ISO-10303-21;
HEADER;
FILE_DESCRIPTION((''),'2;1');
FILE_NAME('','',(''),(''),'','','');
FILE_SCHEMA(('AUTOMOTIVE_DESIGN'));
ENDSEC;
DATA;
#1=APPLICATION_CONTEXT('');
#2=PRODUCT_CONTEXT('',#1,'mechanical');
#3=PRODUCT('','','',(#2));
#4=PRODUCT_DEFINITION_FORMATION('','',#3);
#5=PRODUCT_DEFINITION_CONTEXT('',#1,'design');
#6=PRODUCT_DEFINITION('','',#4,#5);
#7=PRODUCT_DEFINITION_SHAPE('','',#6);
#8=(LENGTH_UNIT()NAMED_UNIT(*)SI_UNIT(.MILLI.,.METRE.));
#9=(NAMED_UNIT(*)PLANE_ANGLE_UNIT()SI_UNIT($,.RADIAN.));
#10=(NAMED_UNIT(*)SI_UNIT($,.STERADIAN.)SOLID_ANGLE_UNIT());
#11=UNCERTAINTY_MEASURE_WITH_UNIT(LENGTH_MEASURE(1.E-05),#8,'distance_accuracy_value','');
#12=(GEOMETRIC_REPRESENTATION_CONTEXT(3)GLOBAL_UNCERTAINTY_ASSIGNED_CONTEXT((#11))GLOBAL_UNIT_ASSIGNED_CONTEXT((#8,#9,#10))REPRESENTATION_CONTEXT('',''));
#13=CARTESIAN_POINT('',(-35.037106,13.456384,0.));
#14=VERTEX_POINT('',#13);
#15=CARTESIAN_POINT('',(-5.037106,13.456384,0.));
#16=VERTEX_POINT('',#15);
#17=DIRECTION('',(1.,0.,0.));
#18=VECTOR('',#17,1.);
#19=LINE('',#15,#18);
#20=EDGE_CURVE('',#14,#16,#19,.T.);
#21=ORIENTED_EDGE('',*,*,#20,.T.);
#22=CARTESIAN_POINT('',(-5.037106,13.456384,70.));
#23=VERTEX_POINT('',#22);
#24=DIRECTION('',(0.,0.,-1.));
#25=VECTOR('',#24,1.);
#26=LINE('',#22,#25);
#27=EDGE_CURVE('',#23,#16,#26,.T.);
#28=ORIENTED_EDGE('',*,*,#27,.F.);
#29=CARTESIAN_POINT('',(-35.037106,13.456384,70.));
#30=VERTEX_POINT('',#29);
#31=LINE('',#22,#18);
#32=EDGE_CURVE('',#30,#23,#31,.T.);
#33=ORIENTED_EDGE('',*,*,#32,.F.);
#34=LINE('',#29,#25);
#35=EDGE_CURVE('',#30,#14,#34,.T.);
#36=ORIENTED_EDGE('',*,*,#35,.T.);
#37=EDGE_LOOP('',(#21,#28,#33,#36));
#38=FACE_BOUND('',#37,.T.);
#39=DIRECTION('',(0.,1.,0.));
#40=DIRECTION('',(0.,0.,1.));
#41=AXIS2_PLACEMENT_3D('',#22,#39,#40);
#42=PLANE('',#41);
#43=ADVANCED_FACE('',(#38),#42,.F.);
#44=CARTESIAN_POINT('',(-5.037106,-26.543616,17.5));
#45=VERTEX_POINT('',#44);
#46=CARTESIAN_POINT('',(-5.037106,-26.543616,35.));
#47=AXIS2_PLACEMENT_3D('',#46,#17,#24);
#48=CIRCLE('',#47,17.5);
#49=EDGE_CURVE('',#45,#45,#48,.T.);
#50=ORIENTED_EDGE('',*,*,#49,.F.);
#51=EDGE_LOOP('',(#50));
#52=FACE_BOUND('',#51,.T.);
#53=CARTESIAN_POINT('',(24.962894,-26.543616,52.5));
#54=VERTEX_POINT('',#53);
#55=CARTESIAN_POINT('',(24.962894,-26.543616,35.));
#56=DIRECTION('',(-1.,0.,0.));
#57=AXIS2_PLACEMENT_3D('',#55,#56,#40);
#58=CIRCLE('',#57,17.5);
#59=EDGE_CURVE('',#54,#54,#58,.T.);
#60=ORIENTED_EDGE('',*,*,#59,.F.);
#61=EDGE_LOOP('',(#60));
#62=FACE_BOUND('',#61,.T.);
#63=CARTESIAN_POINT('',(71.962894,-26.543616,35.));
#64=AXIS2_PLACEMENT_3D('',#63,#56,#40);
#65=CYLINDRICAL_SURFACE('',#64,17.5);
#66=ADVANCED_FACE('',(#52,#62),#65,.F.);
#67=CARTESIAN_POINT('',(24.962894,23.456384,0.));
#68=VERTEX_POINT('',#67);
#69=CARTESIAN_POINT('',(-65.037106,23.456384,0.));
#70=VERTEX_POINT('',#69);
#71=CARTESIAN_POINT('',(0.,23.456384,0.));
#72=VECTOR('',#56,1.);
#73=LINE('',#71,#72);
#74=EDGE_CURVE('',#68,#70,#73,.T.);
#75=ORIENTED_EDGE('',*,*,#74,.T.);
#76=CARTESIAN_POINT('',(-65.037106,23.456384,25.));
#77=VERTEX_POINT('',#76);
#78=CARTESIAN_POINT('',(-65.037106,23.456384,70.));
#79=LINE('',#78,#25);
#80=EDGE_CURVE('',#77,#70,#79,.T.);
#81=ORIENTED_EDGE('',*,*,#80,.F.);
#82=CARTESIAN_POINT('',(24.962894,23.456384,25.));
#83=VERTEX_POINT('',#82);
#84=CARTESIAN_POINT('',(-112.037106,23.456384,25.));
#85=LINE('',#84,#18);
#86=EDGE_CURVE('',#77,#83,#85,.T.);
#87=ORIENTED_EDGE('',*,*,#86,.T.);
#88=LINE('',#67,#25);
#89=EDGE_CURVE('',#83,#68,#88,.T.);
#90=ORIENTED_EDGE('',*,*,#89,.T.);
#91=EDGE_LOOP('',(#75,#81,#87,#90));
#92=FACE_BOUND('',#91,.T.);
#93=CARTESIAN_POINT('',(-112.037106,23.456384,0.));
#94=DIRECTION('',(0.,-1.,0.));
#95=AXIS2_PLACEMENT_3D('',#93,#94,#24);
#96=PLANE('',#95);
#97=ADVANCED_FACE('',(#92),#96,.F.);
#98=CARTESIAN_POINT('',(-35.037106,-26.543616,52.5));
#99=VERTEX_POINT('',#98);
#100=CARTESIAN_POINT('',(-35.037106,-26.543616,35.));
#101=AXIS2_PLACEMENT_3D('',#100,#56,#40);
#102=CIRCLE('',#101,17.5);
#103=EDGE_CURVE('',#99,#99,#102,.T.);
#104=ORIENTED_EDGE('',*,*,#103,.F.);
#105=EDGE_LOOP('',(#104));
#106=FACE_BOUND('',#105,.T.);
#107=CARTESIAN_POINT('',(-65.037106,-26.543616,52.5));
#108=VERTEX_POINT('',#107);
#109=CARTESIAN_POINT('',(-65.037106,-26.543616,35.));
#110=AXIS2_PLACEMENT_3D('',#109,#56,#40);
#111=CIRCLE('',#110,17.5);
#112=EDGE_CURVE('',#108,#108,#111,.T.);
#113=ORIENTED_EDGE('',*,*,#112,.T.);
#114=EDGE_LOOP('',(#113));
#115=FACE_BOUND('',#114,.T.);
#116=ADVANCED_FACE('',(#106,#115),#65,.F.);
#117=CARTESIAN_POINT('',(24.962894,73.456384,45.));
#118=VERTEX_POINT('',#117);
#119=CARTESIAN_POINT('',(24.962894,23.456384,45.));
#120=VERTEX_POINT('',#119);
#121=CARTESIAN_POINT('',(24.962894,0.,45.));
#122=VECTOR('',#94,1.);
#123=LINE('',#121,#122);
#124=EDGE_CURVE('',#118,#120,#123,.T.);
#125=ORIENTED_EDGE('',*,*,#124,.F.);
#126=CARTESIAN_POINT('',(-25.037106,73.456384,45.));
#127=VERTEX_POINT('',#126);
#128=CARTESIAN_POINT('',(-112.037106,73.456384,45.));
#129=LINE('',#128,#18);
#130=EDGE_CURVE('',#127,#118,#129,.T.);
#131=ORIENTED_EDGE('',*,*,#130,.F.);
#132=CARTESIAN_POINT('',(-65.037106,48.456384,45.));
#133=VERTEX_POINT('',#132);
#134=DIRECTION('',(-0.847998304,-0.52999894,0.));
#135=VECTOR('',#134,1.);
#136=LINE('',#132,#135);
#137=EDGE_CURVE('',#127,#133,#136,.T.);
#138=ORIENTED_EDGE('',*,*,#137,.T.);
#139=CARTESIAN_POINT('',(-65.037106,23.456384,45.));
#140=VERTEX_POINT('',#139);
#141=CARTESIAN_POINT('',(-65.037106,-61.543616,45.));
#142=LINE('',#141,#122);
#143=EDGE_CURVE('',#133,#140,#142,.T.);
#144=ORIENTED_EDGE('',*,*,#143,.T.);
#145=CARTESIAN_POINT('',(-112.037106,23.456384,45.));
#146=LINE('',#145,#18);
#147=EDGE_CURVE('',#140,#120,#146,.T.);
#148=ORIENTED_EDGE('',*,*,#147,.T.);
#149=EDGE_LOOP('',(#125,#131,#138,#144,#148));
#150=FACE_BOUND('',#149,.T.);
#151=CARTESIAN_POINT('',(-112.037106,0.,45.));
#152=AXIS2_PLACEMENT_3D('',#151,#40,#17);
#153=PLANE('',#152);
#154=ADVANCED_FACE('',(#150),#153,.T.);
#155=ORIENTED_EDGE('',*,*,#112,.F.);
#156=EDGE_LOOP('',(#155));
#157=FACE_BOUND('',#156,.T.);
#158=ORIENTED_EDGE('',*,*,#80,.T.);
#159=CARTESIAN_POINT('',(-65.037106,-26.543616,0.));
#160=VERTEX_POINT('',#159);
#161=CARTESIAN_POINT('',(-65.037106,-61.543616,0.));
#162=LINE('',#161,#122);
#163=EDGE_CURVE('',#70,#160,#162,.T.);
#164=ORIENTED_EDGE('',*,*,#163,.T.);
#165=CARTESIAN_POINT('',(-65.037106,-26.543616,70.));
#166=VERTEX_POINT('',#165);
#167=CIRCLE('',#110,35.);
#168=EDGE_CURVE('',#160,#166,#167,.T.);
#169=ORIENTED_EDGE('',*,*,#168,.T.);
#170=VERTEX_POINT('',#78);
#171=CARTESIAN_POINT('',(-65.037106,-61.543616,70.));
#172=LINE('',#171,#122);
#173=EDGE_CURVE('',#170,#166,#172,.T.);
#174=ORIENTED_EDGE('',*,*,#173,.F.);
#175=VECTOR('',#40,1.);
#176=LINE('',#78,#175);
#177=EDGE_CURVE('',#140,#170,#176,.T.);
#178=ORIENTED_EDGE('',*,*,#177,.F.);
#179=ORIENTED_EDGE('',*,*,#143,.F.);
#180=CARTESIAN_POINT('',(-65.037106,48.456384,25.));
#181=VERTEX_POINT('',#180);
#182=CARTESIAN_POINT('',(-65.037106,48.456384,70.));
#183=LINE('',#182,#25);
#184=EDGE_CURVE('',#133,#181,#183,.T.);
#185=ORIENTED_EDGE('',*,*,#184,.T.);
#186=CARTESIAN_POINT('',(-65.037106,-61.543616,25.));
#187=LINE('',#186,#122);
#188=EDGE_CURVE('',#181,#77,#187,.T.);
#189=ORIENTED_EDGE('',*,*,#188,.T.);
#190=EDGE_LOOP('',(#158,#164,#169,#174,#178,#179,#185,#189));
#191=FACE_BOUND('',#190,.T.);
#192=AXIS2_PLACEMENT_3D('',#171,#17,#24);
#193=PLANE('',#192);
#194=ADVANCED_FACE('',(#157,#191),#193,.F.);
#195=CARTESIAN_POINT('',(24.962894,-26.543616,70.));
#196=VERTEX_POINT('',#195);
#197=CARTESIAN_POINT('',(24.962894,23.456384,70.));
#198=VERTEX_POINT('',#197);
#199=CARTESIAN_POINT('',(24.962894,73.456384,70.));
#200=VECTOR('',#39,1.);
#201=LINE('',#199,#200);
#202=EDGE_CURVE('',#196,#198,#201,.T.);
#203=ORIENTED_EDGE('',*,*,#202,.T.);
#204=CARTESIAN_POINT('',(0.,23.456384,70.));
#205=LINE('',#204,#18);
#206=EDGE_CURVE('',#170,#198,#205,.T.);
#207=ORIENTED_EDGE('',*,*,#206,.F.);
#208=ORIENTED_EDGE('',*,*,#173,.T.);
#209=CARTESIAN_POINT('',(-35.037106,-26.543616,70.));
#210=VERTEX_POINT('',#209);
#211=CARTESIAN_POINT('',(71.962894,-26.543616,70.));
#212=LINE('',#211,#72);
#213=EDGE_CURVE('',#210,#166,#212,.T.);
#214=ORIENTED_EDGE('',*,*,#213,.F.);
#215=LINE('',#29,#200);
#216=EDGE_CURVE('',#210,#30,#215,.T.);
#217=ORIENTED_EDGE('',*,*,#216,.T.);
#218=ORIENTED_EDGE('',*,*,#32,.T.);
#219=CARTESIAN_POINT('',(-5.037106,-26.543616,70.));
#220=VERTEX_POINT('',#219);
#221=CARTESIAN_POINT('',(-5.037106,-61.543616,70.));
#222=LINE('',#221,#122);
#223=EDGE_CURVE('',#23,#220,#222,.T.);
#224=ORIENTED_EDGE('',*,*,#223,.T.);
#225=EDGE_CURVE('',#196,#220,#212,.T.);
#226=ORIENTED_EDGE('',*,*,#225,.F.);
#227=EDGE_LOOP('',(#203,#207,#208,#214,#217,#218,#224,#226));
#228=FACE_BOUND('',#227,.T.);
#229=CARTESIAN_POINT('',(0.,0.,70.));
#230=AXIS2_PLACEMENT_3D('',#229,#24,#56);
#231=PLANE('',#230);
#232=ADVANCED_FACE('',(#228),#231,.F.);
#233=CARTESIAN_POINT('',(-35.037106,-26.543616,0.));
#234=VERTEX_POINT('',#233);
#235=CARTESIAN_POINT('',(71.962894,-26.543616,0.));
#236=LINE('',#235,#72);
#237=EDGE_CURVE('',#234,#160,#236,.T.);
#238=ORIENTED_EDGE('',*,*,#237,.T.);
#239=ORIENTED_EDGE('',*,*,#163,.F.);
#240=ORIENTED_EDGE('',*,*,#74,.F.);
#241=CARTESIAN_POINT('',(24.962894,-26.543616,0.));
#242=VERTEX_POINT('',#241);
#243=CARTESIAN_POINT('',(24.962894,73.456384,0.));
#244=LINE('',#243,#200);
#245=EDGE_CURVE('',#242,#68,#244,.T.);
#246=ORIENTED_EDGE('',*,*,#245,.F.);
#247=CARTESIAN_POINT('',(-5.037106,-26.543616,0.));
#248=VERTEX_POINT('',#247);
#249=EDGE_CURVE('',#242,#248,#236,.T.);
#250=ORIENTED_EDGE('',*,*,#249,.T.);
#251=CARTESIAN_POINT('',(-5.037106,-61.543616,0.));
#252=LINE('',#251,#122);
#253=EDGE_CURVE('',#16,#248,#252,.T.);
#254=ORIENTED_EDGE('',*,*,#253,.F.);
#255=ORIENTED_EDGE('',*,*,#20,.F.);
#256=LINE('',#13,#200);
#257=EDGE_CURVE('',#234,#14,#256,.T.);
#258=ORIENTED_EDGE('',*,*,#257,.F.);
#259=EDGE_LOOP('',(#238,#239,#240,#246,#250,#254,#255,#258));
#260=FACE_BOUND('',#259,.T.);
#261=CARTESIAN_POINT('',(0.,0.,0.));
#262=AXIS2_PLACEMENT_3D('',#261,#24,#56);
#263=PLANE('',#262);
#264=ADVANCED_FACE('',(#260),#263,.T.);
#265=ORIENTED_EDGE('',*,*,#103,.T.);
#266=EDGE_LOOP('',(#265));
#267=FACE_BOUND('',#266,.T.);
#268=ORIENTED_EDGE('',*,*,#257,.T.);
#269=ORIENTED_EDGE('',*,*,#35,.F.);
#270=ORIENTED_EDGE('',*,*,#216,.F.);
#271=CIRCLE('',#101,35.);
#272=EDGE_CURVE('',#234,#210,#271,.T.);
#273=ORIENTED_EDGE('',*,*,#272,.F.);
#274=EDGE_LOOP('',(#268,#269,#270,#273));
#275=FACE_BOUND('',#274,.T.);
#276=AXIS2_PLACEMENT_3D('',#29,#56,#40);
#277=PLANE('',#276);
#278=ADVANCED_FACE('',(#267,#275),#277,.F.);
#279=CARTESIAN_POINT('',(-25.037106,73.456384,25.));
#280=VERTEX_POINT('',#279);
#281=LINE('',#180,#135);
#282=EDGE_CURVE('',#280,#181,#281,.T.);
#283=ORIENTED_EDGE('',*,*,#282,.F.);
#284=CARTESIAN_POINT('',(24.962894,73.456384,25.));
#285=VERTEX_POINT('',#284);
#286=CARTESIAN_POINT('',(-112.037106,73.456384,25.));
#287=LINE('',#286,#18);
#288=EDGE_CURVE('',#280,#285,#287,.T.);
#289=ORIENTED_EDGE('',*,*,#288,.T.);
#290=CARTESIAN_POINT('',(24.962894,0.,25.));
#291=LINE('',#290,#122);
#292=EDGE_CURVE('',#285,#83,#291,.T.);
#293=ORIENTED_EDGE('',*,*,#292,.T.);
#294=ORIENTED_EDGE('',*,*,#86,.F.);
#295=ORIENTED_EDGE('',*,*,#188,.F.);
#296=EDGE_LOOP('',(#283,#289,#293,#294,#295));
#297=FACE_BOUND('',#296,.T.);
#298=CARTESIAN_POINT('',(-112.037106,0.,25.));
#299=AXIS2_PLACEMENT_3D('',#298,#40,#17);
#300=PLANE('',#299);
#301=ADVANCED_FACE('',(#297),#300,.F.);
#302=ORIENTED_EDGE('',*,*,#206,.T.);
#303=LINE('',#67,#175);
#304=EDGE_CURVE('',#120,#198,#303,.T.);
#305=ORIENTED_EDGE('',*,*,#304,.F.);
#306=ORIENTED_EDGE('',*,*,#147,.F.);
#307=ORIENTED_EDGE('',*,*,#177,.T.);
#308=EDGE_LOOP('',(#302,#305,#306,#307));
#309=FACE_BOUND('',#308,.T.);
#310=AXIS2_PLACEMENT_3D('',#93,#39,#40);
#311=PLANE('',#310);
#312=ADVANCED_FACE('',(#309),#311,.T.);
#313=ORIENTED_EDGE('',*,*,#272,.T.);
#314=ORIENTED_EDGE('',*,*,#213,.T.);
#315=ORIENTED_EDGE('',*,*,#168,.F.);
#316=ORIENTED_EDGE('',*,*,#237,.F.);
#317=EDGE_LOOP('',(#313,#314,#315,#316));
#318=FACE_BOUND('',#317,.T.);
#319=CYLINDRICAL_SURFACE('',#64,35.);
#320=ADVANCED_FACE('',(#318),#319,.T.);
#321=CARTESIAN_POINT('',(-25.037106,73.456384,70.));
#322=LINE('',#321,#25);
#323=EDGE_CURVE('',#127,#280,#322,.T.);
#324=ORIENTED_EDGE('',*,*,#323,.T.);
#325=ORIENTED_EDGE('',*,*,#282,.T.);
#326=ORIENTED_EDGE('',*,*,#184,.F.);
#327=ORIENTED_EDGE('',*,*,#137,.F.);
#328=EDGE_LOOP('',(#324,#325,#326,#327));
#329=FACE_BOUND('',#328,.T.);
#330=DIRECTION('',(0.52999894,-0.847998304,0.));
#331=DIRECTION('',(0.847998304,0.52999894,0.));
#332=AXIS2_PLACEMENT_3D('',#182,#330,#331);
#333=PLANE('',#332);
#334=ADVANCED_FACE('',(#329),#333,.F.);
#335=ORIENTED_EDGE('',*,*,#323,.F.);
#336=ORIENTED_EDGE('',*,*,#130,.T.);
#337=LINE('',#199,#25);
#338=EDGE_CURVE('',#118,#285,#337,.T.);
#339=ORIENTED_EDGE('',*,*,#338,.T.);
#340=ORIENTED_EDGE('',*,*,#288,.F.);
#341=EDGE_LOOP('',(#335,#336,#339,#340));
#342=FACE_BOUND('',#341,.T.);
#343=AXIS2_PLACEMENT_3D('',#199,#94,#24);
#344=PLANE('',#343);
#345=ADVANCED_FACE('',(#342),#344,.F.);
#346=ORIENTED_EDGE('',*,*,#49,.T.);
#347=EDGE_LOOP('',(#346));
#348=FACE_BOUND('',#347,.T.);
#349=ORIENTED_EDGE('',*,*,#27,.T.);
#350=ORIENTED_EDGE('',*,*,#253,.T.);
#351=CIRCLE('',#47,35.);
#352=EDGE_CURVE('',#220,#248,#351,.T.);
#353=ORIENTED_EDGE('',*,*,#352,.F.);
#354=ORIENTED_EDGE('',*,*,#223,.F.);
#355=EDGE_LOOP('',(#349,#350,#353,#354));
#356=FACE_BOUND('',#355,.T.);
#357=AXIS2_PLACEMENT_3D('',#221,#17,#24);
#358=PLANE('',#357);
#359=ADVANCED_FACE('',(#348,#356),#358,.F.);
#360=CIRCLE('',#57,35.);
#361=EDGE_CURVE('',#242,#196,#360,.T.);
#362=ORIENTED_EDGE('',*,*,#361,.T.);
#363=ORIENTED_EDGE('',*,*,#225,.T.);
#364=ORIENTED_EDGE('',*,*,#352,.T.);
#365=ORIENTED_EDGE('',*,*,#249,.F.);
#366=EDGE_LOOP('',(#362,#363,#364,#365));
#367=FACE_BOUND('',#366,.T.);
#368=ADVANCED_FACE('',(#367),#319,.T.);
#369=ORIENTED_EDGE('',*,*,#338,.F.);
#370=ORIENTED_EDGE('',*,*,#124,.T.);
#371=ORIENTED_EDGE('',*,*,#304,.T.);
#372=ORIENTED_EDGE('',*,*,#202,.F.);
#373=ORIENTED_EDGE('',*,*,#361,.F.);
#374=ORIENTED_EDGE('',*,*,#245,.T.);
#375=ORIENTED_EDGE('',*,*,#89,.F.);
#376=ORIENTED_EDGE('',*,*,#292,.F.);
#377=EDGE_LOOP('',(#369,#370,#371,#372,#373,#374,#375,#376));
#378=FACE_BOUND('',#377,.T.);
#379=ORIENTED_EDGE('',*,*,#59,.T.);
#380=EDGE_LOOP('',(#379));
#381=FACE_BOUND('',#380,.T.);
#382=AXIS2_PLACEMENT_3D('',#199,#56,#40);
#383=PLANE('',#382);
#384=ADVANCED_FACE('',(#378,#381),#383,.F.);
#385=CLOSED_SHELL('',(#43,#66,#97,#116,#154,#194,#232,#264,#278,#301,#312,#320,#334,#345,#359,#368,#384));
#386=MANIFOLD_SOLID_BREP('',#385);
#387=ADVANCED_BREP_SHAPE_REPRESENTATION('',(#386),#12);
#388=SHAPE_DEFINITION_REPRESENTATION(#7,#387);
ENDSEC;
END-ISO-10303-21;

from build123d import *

# Parameters (mm, degrees)
BOSS_EXTRUDE1_DEPTH = 70
SKETCH4_R           = 17.5
CUT_EXTRUDE3_DEPTH  = 137
SKETCH6_W           = 25
SKETCH6_H           = 50
CUT_EXTRUDE4_DEPTH  = 137
SKETCH7_W           = 25
SKETCH7_H           = 50
CUT_EXTRUDE5_DEPTH  = 137
CUT_EXTRUDE6_DEPTH  = 137


with BuildPart() as part:
    # Sketch3 → Boss-Extrude1 (new body)
    with BuildSketch(Plane.XY):
        Polygon((24.962893573, 73.456383547), (24.962893573, -61.543616453), (-5.037106427, -61.543616453), (-5.037106427, 13.456383547), (-35.037106427, 13.456383547), (-35.037106427, -61.543616453), (-65.037106427, -61.543616453), (-65.037106427, 48.456383547), (-25.037106427, 73.456383547), align=None)
    extrude(amount=BOSS_EXTRUDE1_DEPTH)

    # Sketch4 → Cut-Extrude3 (cut)
    with BuildSketch(Plane.ZY.offset(65.037106427)):
        with Locations((35, -26.543616453)):
            Circle(SKETCH4_R)
    extrude(amount=-CUT_EXTRUDE3_DEPTH, mode=Mode.SUBTRACT)

    # Sketch6 → Cut-Extrude4 (cut)
    with BuildSketch(Plane(origin=(24.962893573, 0, 0), x_dir=(0, 0, -1), z_dir=(1, 0, 0))):
        with Locations((-57.5, 48.456383547)):
            Rectangle(SKETCH6_W, SKETCH6_H)
    extrude(amount=-CUT_EXTRUDE4_DEPTH, mode=Mode.SUBTRACT)

    # Sketch7 → Cut-Extrude5 (cut)
    with BuildSketch(Plane(origin=(24.962893573, 0, 0), x_dir=(0, 0, -1), z_dir=(1, 0, 0))):
        with Locations((-12.5, 48.456383547)):
            Rectangle(SKETCH7_W, SKETCH7_H)
    extrude(amount=-CUT_EXTRUDE5_DEPTH, mode=Mode.SUBTRACT)

    # Sketch8 → Cut-Extrude6 (cut)
    with BuildSketch(Plane.ZY.offset(65.037106427)):
        with BuildLine():
            ThreePointArc((35, -61.543616453), (10.251262658, -51.292353794), (0, -26.543616453))
            Line((0, -26.543616453), (0, -61.543616453))
            Line((0, -61.543616453), (35, -61.543616453))
        make_face()
        with BuildLine():
            Line((70, -61.543616453), (70, -26.543616453))
            ThreePointArc((70, -26.543616453), (59.748737342, -51.292353794), (35, -61.543616453))
            Line((35, -61.543616453), (70, -61.543616453))
        make_face()
    extrude(amount=-CUT_EXTRUDE6_DEPTH, mode=Mode.SUBTRACT)


solid = part.part
